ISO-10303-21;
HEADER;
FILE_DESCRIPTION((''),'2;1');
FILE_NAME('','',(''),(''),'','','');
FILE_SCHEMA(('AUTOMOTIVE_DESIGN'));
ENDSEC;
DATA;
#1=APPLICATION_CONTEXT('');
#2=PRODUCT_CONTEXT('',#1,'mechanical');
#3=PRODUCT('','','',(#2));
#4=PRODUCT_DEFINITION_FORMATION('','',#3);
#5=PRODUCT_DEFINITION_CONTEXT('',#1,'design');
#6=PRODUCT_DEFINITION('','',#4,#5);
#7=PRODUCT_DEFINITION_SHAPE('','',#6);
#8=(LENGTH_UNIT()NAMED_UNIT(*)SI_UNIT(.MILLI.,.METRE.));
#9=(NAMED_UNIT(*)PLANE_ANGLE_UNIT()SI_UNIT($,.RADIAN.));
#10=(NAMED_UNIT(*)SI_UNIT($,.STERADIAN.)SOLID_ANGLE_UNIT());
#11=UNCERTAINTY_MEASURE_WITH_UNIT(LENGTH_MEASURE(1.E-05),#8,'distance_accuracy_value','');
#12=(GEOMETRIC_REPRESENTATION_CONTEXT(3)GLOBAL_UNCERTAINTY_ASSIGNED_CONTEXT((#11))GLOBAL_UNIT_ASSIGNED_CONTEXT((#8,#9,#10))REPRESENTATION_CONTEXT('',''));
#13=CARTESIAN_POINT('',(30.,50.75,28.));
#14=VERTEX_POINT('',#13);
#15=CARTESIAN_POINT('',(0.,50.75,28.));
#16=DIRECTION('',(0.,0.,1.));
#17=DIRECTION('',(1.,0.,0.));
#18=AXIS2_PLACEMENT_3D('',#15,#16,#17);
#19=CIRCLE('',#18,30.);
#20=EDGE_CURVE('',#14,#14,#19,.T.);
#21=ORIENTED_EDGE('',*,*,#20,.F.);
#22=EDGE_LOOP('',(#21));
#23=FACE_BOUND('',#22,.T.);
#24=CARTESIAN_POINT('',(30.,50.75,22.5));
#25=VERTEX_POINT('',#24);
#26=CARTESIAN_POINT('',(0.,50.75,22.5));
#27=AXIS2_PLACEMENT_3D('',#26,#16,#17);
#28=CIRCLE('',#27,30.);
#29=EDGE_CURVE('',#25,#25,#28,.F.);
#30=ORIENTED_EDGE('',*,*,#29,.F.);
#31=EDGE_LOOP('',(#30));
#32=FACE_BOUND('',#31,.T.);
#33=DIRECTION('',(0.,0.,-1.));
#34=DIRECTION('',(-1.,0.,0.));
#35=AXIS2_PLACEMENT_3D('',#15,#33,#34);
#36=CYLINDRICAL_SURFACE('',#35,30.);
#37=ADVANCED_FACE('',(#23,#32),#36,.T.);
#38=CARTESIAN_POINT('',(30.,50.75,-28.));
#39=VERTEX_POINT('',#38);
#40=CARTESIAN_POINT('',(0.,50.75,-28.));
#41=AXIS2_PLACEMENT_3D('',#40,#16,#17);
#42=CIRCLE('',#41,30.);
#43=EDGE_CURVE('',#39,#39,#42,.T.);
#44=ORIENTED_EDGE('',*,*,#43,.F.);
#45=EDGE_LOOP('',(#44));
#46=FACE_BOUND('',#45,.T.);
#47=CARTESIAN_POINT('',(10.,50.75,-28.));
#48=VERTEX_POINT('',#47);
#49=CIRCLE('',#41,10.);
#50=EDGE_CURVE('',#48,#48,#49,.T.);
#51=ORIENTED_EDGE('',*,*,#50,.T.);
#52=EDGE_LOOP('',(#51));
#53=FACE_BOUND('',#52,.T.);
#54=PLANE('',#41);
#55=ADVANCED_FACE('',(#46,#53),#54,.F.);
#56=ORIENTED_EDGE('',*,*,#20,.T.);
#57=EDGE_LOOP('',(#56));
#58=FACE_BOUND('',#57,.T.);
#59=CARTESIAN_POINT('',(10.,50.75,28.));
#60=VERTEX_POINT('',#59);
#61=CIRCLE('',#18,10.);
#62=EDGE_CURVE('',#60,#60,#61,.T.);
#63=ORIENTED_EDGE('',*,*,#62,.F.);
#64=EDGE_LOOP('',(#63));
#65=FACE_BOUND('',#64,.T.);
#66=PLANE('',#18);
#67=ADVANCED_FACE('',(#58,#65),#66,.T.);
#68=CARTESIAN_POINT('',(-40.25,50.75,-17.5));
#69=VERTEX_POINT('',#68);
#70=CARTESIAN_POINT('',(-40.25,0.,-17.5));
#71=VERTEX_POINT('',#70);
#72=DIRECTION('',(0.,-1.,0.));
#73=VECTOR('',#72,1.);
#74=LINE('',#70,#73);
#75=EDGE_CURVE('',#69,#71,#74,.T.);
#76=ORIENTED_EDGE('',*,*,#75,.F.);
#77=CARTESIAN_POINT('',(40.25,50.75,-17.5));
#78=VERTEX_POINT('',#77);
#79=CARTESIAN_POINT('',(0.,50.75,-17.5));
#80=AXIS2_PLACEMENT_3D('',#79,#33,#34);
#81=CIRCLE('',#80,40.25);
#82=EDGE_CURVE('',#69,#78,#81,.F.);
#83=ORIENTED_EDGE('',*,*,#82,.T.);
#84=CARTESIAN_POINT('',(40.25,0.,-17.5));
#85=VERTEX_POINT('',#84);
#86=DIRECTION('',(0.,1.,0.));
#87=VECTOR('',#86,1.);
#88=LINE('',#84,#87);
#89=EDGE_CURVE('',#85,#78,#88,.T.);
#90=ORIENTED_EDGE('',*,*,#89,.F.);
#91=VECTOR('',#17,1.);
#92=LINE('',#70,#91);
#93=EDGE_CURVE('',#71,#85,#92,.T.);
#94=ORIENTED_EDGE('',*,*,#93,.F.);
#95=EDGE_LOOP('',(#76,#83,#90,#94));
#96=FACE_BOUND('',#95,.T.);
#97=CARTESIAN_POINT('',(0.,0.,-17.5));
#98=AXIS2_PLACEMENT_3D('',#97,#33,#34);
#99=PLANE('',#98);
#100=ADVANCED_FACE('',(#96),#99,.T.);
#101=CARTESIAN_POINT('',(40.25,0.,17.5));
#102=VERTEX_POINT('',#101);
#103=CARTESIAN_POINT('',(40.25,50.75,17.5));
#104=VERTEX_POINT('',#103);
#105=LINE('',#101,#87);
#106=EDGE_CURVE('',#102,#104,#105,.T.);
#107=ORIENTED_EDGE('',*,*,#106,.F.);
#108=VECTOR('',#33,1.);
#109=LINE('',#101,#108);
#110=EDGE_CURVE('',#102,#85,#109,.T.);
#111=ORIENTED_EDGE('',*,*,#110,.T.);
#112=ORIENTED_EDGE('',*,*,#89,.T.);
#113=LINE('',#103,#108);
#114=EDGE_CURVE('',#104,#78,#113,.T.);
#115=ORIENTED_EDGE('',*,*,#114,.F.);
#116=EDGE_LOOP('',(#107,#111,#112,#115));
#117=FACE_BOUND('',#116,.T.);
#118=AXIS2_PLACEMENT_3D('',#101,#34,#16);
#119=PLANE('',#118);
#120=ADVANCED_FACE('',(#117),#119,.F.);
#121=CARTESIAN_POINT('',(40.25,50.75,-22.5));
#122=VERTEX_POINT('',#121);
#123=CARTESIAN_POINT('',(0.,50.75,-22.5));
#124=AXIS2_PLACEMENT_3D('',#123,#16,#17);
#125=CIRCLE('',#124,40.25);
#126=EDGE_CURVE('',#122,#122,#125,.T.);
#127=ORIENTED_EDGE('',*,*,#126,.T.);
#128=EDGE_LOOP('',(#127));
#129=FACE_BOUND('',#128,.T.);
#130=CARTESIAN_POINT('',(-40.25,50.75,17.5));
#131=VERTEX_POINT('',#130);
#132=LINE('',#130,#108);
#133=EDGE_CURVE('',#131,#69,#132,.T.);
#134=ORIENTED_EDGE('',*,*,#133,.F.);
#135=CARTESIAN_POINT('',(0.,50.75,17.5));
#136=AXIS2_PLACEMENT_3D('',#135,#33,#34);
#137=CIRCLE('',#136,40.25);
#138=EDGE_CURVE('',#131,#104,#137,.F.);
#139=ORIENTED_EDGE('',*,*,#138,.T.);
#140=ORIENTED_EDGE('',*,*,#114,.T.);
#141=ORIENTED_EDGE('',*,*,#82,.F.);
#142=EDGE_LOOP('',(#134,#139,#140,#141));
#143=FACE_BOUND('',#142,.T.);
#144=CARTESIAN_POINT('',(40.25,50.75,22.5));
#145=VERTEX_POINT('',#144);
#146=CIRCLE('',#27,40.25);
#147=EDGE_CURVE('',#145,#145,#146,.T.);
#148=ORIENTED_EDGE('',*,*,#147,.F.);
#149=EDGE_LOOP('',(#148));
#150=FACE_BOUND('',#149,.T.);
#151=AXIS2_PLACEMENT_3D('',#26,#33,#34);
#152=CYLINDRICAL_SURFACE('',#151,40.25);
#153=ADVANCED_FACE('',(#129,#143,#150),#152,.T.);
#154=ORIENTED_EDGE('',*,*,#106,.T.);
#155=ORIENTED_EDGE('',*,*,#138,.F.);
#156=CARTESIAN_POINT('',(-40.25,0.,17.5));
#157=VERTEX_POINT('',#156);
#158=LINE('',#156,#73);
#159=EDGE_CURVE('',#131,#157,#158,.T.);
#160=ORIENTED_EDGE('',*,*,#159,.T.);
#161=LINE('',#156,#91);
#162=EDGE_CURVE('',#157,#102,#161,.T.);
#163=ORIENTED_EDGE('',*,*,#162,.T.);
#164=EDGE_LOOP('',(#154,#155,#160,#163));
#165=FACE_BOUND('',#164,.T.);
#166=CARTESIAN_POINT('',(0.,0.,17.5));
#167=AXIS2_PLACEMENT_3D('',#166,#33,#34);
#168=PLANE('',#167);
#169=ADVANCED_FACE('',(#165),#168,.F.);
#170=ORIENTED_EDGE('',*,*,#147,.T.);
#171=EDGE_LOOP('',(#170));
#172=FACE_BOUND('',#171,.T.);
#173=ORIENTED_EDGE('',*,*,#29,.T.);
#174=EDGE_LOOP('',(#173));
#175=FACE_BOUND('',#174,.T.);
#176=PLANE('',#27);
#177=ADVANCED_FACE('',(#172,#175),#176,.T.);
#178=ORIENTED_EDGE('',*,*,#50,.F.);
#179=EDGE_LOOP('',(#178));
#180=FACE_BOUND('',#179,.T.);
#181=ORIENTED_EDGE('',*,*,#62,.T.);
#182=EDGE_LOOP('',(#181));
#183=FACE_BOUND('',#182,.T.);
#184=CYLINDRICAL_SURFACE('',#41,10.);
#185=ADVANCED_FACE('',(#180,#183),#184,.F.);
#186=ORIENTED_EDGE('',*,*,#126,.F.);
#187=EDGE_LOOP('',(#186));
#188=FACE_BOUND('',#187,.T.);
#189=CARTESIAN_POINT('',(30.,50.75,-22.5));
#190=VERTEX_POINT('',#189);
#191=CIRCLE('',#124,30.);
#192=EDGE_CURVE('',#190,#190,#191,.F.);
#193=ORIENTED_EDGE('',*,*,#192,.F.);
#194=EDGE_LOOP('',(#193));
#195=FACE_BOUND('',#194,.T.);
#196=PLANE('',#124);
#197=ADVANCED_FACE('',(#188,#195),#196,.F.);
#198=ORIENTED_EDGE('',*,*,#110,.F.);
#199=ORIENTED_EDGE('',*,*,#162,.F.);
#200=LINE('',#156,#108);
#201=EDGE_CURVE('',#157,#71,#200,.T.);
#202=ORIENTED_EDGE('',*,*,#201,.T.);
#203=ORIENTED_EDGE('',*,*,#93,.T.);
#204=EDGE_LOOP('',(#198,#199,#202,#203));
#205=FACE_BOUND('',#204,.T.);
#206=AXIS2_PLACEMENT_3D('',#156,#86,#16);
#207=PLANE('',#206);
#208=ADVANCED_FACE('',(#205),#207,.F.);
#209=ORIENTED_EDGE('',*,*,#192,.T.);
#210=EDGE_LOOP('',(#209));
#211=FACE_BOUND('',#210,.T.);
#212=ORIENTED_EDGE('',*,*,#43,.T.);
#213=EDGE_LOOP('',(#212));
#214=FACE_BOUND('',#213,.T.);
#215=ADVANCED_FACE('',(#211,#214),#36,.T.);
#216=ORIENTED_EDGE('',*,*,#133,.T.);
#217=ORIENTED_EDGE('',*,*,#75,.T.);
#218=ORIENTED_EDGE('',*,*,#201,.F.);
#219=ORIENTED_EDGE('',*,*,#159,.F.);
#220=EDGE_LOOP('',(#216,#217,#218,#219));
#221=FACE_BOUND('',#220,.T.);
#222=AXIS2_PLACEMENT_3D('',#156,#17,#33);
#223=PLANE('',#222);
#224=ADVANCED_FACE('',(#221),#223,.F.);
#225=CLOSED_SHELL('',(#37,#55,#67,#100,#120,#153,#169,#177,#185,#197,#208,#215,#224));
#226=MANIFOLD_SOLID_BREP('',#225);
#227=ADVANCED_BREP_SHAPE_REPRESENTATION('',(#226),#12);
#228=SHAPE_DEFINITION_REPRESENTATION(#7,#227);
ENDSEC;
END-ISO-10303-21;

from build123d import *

# Parameters (mm, degrees)
SKETCH1_W               = 80.5
SKETCH1_H               = 50.75
BOSS_EXTRUDE1_DEPTH     = 17.5
SKETCH2_R               = 40.25
BOSS_EXTRUDE2_DEPTH     = 22.5
SKETCH3_R               = 30
BOSS_EXTRUDE3_DEPTH     = 28
CUT_EXTRUDE1_DEPTH      = 104.368575979
CUT_EXTRUDE1_DEPTH_BACK = 104.368575979
SKETCH4_R               = 10


with BuildPart() as part:
    # Sketch1 → Boss-Extrude1 (new, symmetric)
    with BuildSketch(Plane.XY):
        with Locations((0, 25.375)):
            Rectangle(SKETCH1_W, SKETCH1_H)
    extrude(amount=BOSS_EXTRUDE1_DEPTH, both=True)

    # Sketch2 → Boss-Extrude2 (add, symmetric)
    with BuildSketch(Plane.XY):
        with Locations((0, 50.75)):
            Circle(SKETCH2_R)
    extrude(amount=BOSS_EXTRUDE2_DEPTH, both=True)

    # Sketch3 → Boss-Extrude3 (add, symmetric)
    with BuildSketch(Plane.XY):
        with Locations((0, 50.75)):
            Circle(SKETCH3_R)
    extrude(amount=BOSS_EXTRUDE3_DEPTH, both=True)

    # Sketch4 → Cut-Extrude1 (cut, two sides: drawn at the far end of the back side and taken through both)
    with BuildSketch(Plane.XY.offset(-CUT_EXTRUDE1_DEPTH_BACK)):
        with Locations((0, 50.75)):
            Circle(SKETCH4_R)
    extrude(amount=CUT_EXTRUDE1_DEPTH + CUT_EXTRUDE1_DEPTH_BACK, mode=Mode.SUBTRACT)


solid = part.part
